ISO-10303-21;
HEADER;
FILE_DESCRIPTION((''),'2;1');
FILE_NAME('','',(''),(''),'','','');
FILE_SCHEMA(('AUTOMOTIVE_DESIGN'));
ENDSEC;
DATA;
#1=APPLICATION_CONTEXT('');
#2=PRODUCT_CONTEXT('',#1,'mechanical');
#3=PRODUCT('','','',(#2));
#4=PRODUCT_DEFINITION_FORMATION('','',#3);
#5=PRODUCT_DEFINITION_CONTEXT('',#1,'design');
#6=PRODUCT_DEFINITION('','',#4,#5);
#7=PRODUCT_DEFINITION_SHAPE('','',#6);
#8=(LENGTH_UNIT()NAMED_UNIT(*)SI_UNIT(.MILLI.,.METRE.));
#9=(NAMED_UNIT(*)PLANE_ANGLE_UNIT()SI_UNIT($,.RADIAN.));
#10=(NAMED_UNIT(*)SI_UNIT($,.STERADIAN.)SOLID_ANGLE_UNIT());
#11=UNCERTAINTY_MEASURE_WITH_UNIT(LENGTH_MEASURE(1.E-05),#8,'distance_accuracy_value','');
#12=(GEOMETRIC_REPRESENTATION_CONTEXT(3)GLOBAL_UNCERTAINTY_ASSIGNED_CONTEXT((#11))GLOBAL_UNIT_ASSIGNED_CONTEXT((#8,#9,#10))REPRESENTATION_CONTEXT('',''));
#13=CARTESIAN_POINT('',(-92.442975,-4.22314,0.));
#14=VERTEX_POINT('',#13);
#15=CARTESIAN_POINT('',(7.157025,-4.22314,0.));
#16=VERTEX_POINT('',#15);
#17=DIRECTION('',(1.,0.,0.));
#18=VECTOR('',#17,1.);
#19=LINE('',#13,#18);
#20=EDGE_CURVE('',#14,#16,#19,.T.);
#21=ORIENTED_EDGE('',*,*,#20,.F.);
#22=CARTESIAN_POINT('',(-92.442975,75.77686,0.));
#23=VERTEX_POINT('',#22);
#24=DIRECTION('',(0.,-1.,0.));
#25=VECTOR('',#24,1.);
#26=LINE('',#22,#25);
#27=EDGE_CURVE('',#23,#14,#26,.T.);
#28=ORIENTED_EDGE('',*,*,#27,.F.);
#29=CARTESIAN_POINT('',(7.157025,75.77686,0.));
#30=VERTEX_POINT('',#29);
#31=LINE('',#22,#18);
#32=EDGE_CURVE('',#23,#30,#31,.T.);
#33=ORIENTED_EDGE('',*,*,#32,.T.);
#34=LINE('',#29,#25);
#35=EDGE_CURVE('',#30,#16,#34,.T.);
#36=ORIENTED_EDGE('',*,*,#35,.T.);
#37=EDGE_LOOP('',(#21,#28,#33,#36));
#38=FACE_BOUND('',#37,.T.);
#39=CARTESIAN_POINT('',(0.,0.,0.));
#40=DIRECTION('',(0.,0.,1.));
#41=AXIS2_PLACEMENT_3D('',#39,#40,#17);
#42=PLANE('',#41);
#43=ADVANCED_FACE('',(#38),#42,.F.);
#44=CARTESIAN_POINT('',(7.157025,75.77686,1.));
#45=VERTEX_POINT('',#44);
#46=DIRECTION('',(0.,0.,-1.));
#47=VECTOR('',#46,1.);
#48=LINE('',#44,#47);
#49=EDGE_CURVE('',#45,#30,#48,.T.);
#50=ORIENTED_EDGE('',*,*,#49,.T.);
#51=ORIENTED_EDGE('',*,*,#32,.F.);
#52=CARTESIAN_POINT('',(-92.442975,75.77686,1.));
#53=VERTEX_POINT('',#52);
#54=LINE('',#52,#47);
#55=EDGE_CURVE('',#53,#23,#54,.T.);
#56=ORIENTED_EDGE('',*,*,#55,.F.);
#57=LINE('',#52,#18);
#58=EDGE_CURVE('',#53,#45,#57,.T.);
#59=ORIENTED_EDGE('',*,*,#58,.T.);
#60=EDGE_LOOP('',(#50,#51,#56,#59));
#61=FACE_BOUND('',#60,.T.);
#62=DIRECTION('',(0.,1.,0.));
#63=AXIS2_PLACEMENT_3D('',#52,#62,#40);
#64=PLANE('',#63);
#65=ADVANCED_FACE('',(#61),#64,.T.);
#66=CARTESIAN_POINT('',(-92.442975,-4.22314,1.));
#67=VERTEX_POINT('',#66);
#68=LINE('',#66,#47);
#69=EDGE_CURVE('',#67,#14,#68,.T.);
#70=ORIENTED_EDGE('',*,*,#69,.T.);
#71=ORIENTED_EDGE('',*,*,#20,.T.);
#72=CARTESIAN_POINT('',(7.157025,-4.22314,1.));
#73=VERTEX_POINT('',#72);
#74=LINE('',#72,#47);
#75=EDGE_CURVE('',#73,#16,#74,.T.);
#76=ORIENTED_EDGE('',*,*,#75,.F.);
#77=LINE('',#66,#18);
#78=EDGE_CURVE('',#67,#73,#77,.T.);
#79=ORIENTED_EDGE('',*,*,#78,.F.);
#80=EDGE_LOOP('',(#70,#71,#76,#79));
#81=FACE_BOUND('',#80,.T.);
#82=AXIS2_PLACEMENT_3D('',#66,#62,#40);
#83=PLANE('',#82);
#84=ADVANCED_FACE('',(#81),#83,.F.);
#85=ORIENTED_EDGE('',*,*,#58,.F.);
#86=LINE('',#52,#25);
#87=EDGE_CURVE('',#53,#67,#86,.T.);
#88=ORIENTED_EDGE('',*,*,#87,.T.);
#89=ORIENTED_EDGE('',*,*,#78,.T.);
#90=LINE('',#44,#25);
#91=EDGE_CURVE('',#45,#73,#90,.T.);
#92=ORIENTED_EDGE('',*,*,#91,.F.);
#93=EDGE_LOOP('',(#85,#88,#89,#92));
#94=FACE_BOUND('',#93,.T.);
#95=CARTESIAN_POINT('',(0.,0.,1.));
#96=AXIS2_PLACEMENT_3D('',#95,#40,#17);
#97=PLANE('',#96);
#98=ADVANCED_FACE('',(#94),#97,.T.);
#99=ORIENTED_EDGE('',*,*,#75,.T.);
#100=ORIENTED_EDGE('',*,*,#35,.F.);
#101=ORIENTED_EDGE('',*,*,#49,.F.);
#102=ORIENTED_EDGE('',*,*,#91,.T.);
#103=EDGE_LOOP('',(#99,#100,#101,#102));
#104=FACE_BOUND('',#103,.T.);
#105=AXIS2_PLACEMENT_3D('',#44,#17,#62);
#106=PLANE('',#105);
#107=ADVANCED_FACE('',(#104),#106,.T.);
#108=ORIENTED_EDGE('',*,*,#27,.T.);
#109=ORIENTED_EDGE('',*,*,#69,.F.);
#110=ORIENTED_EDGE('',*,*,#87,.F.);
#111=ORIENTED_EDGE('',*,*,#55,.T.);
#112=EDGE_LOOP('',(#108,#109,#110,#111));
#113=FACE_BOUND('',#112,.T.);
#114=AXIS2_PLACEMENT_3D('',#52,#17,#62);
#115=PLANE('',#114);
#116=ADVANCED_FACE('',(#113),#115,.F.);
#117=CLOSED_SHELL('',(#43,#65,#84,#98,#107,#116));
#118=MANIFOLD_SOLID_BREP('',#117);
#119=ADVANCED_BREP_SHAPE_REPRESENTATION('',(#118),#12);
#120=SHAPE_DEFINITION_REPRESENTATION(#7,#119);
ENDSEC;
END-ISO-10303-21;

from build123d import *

# Parameters (mm, degrees)
SKETCH_1_W      = 99.6
SKETCH_1_H      = 80
EXTRUDE_1_DEPTH = 1


with BuildPart() as part:
    # 草图1 → 凸台-拉伸1 (new body)
    with BuildSketch(Plane.XY):
        with Locations((-42.642975207, 35.776859504)):
            Rectangle(SKETCH_1_W, SKETCH_1_H)
    extrude(amount=EXTRUDE_1_DEPTH)


solid = part.part
